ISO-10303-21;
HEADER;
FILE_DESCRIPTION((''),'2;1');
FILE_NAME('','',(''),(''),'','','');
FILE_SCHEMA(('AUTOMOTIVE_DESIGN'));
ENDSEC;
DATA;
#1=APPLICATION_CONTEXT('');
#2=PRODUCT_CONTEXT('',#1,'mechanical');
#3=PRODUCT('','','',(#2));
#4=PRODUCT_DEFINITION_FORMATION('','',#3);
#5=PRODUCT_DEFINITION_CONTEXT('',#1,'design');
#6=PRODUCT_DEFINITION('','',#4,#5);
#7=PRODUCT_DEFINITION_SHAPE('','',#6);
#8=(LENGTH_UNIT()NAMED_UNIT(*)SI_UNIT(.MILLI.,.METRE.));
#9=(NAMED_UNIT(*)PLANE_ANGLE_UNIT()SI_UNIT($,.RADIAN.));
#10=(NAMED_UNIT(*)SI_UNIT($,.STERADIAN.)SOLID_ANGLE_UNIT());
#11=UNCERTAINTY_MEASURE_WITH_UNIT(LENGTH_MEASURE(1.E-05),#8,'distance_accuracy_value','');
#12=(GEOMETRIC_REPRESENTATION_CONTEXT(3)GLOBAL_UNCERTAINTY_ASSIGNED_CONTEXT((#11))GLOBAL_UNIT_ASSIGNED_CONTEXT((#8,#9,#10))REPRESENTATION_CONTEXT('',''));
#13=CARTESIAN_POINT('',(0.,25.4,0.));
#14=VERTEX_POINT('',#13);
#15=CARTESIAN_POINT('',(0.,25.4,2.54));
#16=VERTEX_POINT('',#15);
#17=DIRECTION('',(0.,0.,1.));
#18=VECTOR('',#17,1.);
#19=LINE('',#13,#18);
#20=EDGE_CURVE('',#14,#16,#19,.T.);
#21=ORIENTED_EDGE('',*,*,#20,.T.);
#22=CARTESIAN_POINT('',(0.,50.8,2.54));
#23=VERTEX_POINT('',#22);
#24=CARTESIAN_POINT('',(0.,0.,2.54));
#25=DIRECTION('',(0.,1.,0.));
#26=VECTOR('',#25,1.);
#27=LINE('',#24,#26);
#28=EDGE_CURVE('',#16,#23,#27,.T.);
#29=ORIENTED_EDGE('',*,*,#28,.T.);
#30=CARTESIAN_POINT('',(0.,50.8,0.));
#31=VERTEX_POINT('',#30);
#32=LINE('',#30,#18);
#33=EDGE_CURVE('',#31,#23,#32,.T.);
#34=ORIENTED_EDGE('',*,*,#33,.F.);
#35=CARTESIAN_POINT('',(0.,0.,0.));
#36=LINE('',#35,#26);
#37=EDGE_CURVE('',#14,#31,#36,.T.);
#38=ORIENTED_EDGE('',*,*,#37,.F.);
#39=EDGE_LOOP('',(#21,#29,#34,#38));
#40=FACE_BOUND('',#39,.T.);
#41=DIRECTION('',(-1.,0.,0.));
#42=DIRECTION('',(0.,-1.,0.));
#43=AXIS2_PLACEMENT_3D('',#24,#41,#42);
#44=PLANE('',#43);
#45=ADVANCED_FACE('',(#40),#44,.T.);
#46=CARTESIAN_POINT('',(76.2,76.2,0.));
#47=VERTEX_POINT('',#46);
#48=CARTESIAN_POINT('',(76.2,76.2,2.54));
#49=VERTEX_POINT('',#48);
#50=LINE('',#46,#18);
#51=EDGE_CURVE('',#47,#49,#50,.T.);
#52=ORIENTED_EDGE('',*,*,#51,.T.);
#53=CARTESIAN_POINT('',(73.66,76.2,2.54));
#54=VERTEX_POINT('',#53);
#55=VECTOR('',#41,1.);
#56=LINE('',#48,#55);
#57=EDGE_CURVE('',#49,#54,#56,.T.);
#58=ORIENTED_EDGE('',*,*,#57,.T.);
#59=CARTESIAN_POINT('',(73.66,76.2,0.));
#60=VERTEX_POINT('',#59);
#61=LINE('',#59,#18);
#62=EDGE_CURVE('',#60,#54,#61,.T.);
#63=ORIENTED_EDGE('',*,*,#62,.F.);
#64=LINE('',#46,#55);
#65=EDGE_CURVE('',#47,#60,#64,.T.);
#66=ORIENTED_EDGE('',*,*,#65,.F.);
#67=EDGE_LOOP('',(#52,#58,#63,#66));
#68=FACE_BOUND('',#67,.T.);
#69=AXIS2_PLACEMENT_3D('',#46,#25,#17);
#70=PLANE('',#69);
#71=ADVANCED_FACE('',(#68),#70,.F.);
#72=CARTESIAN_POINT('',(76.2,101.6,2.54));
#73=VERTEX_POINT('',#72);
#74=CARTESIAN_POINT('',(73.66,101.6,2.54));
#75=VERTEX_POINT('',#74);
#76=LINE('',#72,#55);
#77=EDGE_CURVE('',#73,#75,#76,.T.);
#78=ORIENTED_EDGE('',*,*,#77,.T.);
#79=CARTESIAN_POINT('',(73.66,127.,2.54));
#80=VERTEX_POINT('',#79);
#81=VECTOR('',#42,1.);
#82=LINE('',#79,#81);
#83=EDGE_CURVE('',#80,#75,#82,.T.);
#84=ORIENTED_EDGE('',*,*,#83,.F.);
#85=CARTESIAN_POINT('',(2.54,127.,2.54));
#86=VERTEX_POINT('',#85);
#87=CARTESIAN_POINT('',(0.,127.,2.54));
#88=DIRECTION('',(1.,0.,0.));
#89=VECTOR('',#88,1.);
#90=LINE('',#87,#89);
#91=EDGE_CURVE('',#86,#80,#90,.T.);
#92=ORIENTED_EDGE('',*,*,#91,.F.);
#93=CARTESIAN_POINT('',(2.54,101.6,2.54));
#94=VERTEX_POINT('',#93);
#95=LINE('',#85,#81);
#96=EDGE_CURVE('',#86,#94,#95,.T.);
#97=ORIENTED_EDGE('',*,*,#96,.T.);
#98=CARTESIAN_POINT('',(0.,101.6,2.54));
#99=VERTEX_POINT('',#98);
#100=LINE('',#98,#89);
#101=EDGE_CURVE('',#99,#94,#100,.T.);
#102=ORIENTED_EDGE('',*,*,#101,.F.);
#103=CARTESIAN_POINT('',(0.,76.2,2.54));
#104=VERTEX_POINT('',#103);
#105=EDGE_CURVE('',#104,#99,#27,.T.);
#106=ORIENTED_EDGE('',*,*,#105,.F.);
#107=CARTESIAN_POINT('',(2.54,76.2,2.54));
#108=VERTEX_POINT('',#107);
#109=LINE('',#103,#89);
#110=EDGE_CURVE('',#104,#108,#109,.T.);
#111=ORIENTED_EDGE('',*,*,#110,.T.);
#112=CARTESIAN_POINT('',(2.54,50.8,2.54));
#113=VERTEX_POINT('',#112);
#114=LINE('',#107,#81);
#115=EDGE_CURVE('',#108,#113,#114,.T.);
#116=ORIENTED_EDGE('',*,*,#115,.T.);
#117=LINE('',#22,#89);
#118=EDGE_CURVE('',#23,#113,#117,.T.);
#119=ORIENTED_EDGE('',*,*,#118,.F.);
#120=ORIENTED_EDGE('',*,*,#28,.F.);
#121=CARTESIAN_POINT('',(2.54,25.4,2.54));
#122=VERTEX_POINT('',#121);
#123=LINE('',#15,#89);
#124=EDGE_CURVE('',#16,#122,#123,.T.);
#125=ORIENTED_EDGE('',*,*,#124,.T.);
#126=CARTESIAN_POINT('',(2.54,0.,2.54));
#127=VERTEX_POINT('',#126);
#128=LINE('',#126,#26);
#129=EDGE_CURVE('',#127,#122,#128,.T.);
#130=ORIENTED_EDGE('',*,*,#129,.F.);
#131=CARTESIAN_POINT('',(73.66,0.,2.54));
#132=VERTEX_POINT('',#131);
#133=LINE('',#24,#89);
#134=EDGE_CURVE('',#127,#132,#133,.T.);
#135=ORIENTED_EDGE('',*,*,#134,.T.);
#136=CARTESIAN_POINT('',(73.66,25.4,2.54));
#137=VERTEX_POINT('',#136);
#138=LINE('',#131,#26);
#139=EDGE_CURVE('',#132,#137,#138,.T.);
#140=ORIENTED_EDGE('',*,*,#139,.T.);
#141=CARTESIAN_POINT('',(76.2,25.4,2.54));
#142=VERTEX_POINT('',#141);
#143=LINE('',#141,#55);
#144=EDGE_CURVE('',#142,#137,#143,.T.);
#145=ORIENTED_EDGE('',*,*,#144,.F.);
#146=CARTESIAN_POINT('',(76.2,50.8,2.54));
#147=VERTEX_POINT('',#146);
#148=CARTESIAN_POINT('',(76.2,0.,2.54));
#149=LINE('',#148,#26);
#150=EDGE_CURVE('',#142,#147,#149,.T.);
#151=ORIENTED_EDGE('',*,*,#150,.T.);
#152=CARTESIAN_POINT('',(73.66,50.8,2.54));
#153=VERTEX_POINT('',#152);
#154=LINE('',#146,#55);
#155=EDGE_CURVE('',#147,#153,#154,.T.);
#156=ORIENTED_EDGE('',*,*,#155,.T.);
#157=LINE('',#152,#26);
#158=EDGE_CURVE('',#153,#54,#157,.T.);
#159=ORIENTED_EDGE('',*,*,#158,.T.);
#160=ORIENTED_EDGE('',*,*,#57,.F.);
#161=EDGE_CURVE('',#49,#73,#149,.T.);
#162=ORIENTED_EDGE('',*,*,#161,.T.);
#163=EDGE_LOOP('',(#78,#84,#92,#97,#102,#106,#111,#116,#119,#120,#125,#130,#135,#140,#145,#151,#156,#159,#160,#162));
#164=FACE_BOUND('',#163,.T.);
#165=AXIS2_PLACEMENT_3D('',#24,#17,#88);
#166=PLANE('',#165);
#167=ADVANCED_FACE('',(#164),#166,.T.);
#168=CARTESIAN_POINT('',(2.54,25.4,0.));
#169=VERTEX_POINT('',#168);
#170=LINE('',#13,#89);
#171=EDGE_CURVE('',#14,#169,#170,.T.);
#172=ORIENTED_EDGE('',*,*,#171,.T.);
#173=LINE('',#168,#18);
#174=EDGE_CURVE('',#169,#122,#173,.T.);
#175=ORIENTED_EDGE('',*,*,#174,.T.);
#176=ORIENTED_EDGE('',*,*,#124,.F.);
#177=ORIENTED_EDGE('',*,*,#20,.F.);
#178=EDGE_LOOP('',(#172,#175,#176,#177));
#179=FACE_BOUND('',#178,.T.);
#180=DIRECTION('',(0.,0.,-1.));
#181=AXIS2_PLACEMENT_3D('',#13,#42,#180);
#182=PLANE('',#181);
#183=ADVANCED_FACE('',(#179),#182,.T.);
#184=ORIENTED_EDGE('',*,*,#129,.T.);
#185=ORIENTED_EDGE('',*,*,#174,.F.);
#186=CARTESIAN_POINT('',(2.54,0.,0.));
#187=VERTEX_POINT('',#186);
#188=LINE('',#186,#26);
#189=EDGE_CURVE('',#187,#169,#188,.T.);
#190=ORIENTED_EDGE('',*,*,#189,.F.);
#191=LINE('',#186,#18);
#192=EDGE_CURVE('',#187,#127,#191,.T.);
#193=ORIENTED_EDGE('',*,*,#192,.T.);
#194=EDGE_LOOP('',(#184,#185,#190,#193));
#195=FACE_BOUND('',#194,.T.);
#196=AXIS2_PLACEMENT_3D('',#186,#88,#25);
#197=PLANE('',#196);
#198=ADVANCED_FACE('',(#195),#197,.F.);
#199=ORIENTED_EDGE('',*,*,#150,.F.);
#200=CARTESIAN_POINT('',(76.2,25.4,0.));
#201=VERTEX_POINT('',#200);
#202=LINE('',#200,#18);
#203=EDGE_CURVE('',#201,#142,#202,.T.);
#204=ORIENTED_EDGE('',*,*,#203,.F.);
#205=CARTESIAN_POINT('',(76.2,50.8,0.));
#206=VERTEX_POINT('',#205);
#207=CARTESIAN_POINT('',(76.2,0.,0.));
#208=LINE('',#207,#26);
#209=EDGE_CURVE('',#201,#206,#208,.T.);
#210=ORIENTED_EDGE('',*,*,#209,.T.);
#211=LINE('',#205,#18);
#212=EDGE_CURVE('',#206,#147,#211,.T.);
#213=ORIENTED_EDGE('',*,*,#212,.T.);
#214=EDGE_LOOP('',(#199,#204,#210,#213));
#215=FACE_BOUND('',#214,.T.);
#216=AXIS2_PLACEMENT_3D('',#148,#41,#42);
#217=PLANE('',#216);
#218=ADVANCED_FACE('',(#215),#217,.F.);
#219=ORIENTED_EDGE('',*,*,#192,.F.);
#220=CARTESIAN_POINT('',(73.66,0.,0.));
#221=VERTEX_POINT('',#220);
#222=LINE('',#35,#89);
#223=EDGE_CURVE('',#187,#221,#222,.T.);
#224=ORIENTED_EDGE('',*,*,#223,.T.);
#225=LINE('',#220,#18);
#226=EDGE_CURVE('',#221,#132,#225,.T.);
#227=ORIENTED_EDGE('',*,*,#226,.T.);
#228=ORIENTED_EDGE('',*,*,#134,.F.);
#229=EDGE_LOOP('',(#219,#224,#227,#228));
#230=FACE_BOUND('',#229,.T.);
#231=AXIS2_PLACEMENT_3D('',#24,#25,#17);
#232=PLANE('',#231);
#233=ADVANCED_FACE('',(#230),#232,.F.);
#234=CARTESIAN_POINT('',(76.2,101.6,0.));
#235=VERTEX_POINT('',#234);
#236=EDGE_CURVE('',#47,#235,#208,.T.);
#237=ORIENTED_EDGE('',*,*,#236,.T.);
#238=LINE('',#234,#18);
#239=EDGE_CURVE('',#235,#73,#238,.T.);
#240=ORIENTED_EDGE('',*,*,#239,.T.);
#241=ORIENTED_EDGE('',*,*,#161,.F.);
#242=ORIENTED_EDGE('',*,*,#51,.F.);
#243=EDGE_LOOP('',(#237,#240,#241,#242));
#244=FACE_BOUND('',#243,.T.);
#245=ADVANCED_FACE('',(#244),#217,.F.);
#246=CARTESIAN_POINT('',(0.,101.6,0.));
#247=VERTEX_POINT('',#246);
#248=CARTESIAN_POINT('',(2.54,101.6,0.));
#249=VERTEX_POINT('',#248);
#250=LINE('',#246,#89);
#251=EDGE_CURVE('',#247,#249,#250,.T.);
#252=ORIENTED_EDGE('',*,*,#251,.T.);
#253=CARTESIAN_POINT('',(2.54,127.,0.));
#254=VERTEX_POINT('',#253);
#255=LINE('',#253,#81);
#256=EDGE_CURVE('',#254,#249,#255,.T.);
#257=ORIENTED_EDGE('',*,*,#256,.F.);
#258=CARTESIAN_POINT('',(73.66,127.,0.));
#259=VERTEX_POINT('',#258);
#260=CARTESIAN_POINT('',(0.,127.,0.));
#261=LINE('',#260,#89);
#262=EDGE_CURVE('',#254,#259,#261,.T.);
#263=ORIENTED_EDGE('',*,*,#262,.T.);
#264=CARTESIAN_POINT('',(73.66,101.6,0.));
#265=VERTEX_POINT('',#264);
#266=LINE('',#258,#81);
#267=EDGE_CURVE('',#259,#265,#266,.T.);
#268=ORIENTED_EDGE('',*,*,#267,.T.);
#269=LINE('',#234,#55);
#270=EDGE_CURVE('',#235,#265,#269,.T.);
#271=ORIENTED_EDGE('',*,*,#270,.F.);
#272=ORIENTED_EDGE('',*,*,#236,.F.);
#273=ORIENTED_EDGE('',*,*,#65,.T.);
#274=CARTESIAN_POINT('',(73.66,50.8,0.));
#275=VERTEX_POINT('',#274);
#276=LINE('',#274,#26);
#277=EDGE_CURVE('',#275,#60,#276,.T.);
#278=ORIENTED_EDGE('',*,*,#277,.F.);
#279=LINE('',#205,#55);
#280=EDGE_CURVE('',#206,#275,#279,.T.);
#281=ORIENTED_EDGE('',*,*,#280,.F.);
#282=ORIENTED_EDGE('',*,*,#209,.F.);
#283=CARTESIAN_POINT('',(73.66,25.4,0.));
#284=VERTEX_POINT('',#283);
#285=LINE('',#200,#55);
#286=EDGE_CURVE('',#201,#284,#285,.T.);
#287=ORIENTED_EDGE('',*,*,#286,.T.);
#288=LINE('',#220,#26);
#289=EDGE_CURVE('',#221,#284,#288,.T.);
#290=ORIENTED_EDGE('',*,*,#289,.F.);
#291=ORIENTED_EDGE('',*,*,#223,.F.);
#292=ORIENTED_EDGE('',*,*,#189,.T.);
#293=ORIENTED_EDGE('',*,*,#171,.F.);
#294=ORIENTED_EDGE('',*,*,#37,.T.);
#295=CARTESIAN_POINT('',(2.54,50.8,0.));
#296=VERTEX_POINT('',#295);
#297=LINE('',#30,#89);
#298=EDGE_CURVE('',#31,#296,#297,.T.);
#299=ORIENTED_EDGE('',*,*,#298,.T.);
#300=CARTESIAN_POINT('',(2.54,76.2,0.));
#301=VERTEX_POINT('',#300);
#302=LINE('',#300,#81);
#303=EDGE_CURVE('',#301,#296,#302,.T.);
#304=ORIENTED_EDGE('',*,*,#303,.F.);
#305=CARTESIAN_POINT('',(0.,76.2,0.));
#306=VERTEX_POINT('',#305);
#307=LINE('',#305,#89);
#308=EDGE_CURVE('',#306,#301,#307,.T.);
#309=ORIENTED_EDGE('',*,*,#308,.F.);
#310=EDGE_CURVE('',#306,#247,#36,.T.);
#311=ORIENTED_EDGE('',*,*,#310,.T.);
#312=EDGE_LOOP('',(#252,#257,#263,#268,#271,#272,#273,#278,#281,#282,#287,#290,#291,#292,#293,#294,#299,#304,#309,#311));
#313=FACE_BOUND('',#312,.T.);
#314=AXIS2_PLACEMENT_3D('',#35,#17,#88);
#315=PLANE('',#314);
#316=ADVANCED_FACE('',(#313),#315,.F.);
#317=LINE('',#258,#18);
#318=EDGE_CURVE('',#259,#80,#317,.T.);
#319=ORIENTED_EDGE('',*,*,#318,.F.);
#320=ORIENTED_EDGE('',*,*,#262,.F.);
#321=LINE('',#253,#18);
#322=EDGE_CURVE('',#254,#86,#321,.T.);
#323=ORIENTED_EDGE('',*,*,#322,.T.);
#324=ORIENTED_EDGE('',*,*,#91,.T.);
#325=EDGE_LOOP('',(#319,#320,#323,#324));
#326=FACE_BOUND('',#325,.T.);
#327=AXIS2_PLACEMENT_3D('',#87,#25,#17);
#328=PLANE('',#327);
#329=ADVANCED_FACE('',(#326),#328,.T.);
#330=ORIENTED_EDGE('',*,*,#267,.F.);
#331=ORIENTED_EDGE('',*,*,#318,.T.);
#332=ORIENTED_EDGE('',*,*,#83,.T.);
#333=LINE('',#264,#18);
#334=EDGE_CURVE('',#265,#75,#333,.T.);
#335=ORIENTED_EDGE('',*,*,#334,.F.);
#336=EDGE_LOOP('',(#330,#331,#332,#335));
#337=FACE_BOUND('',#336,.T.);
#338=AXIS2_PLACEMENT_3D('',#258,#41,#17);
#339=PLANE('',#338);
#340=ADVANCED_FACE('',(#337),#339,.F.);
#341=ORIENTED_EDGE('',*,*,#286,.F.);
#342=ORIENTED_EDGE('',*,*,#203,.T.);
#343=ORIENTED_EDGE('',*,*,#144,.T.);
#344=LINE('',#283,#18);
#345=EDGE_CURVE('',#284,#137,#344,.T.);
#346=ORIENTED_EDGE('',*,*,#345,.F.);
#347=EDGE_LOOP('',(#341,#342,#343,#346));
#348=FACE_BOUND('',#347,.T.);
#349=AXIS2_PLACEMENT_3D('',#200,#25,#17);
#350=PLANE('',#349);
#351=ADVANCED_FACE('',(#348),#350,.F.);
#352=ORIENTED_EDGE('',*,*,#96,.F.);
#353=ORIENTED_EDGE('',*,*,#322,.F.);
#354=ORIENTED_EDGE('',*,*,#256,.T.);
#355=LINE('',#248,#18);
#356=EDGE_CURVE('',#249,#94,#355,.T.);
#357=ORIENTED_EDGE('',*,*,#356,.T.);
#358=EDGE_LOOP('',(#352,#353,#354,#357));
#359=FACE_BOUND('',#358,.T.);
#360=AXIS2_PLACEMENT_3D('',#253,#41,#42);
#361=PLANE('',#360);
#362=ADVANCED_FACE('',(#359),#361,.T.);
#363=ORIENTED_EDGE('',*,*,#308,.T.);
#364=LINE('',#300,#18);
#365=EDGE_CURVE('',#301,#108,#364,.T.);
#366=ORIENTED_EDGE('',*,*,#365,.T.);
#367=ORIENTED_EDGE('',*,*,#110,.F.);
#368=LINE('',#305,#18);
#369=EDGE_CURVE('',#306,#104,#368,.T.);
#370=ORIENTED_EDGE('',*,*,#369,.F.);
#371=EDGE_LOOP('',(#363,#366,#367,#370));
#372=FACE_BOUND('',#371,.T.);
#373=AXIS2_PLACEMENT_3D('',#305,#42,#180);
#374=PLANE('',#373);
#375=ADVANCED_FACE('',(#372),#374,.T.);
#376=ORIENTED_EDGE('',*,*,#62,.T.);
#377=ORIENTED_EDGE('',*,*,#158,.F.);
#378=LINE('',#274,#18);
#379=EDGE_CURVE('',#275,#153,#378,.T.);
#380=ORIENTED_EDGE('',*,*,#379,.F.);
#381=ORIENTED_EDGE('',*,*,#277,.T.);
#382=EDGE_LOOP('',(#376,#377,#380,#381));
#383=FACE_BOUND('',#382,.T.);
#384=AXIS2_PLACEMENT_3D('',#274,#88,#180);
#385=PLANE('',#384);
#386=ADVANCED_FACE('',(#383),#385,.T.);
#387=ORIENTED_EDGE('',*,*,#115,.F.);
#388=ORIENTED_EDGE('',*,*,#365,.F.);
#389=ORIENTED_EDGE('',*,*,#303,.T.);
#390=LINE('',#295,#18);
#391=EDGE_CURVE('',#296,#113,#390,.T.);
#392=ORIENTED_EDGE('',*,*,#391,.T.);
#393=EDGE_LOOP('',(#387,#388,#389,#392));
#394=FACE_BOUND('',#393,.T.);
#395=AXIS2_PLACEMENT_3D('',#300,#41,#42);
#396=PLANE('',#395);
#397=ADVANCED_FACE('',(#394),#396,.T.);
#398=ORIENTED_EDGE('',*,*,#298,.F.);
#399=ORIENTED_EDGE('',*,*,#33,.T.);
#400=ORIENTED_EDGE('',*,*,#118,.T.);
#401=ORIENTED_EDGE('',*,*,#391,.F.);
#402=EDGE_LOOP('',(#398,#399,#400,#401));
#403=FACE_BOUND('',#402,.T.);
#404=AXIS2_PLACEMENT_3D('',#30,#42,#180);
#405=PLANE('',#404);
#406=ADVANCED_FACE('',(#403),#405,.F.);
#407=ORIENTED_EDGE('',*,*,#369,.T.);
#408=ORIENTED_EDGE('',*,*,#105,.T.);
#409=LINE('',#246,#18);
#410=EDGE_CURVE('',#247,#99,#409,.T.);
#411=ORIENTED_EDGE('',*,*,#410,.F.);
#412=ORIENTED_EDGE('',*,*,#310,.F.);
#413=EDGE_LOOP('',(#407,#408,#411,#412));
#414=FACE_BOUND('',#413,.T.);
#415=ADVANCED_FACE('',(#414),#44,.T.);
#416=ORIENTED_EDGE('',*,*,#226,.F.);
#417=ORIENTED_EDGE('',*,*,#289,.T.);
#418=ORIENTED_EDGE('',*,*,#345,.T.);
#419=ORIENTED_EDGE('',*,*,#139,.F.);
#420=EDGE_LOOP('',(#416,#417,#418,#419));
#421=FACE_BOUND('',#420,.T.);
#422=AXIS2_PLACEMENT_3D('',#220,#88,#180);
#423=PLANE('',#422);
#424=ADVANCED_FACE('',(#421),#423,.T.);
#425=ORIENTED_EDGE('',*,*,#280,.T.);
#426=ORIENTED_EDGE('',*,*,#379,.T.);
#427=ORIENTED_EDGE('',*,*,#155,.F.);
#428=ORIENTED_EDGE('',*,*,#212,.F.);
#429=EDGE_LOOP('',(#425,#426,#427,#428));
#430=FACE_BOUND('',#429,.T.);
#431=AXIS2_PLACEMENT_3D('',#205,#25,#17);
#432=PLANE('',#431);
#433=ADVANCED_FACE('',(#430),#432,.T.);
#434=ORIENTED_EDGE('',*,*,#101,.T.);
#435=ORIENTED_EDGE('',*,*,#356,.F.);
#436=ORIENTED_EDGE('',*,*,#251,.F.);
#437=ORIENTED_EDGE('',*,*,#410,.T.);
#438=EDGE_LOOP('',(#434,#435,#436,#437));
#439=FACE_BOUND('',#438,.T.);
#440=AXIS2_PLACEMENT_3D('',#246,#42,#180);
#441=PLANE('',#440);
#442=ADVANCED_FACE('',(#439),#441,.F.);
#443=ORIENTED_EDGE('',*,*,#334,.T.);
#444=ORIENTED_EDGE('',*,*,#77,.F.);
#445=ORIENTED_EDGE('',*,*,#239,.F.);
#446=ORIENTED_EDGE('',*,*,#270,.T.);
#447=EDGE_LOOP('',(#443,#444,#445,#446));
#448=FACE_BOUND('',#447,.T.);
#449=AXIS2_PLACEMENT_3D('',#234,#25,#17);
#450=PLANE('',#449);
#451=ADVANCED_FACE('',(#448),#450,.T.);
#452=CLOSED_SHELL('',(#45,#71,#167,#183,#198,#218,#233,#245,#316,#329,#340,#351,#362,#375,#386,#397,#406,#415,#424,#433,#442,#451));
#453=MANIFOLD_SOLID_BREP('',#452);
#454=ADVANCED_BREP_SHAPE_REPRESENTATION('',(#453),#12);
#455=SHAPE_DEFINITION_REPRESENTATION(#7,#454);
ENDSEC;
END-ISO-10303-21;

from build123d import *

# Parameters (mm, degrees)
SKETCH1_W           = 76.2
SKETCH1_H           = 127
BOSS_EXTRUDE1_DEPTH = 2.54
SKETCH2_W           = 2.54
SKETCH2_H           = 25.4
CUT_EXTRUDE1_DEPTH  = 3.54
SKETCH4_W           = 2.54
SKETCH4_H           = 25.4
CUT_EXTRUDE3_DEPTH  = 3.54
SKETCH3_W           = 2.54
SKETCH3_H           = 25.4
CUT_EXTRUDE4_DEPTH  = 3.54


with BuildPart() as part:
    # Sketch1 → Boss-Extrude1 (new body)
    with BuildSketch(Plane.XY):
        with Locations((38.1, 63.5)):
            Rectangle(SKETCH1_W, SKETCH1_H)
    extrude(amount=BOSS_EXTRUDE1_DEPTH)

    # Sketch2 → Cut-Extrude1 (cut, through all)
    with BuildSketch(Plane.XY.offset(2.54)):
        with Locations((1.27, 114.3)):
            Rectangle(SKETCH2_W, SKETCH2_H)
    extrude(amount=-CUT_EXTRUDE1_DEPTH, mode=Mode.SUBTRACT)

    # Sketch4 → Cut-Extrude3 (cut, through all)
    with BuildSketch(Plane.XY.offset(2.54)):
        with Locations((1.27, 12.7)):
            Rectangle(SKETCH4_W, SKETCH4_H)
        with Locations((74.93, 12.7)):
            Rectangle(SKETCH4_W, SKETCH4_H)
        with Locations((1.27, 63.5)):
            Rectangle(SKETCH4_W, SKETCH4_H)
        with Locations((74.93, 63.5)):
            Rectangle(SKETCH4_W, SKETCH4_H)
    extrude(amount=-CUT_EXTRUDE3_DEPTH, mode=Mode.SUBTRACT)

    # Sketch3 → Cut-Extrude4 (cut, through all)
    with BuildSketch(Plane.XY.offset(2.54)):
        with Locations((74.93, 114.3)):
            Rectangle(SKETCH3_W, SKETCH3_H)
    extrude(amount=-CUT_EXTRUDE4_DEPTH, mode=Mode.SUBTRACT)


solid = part.part
